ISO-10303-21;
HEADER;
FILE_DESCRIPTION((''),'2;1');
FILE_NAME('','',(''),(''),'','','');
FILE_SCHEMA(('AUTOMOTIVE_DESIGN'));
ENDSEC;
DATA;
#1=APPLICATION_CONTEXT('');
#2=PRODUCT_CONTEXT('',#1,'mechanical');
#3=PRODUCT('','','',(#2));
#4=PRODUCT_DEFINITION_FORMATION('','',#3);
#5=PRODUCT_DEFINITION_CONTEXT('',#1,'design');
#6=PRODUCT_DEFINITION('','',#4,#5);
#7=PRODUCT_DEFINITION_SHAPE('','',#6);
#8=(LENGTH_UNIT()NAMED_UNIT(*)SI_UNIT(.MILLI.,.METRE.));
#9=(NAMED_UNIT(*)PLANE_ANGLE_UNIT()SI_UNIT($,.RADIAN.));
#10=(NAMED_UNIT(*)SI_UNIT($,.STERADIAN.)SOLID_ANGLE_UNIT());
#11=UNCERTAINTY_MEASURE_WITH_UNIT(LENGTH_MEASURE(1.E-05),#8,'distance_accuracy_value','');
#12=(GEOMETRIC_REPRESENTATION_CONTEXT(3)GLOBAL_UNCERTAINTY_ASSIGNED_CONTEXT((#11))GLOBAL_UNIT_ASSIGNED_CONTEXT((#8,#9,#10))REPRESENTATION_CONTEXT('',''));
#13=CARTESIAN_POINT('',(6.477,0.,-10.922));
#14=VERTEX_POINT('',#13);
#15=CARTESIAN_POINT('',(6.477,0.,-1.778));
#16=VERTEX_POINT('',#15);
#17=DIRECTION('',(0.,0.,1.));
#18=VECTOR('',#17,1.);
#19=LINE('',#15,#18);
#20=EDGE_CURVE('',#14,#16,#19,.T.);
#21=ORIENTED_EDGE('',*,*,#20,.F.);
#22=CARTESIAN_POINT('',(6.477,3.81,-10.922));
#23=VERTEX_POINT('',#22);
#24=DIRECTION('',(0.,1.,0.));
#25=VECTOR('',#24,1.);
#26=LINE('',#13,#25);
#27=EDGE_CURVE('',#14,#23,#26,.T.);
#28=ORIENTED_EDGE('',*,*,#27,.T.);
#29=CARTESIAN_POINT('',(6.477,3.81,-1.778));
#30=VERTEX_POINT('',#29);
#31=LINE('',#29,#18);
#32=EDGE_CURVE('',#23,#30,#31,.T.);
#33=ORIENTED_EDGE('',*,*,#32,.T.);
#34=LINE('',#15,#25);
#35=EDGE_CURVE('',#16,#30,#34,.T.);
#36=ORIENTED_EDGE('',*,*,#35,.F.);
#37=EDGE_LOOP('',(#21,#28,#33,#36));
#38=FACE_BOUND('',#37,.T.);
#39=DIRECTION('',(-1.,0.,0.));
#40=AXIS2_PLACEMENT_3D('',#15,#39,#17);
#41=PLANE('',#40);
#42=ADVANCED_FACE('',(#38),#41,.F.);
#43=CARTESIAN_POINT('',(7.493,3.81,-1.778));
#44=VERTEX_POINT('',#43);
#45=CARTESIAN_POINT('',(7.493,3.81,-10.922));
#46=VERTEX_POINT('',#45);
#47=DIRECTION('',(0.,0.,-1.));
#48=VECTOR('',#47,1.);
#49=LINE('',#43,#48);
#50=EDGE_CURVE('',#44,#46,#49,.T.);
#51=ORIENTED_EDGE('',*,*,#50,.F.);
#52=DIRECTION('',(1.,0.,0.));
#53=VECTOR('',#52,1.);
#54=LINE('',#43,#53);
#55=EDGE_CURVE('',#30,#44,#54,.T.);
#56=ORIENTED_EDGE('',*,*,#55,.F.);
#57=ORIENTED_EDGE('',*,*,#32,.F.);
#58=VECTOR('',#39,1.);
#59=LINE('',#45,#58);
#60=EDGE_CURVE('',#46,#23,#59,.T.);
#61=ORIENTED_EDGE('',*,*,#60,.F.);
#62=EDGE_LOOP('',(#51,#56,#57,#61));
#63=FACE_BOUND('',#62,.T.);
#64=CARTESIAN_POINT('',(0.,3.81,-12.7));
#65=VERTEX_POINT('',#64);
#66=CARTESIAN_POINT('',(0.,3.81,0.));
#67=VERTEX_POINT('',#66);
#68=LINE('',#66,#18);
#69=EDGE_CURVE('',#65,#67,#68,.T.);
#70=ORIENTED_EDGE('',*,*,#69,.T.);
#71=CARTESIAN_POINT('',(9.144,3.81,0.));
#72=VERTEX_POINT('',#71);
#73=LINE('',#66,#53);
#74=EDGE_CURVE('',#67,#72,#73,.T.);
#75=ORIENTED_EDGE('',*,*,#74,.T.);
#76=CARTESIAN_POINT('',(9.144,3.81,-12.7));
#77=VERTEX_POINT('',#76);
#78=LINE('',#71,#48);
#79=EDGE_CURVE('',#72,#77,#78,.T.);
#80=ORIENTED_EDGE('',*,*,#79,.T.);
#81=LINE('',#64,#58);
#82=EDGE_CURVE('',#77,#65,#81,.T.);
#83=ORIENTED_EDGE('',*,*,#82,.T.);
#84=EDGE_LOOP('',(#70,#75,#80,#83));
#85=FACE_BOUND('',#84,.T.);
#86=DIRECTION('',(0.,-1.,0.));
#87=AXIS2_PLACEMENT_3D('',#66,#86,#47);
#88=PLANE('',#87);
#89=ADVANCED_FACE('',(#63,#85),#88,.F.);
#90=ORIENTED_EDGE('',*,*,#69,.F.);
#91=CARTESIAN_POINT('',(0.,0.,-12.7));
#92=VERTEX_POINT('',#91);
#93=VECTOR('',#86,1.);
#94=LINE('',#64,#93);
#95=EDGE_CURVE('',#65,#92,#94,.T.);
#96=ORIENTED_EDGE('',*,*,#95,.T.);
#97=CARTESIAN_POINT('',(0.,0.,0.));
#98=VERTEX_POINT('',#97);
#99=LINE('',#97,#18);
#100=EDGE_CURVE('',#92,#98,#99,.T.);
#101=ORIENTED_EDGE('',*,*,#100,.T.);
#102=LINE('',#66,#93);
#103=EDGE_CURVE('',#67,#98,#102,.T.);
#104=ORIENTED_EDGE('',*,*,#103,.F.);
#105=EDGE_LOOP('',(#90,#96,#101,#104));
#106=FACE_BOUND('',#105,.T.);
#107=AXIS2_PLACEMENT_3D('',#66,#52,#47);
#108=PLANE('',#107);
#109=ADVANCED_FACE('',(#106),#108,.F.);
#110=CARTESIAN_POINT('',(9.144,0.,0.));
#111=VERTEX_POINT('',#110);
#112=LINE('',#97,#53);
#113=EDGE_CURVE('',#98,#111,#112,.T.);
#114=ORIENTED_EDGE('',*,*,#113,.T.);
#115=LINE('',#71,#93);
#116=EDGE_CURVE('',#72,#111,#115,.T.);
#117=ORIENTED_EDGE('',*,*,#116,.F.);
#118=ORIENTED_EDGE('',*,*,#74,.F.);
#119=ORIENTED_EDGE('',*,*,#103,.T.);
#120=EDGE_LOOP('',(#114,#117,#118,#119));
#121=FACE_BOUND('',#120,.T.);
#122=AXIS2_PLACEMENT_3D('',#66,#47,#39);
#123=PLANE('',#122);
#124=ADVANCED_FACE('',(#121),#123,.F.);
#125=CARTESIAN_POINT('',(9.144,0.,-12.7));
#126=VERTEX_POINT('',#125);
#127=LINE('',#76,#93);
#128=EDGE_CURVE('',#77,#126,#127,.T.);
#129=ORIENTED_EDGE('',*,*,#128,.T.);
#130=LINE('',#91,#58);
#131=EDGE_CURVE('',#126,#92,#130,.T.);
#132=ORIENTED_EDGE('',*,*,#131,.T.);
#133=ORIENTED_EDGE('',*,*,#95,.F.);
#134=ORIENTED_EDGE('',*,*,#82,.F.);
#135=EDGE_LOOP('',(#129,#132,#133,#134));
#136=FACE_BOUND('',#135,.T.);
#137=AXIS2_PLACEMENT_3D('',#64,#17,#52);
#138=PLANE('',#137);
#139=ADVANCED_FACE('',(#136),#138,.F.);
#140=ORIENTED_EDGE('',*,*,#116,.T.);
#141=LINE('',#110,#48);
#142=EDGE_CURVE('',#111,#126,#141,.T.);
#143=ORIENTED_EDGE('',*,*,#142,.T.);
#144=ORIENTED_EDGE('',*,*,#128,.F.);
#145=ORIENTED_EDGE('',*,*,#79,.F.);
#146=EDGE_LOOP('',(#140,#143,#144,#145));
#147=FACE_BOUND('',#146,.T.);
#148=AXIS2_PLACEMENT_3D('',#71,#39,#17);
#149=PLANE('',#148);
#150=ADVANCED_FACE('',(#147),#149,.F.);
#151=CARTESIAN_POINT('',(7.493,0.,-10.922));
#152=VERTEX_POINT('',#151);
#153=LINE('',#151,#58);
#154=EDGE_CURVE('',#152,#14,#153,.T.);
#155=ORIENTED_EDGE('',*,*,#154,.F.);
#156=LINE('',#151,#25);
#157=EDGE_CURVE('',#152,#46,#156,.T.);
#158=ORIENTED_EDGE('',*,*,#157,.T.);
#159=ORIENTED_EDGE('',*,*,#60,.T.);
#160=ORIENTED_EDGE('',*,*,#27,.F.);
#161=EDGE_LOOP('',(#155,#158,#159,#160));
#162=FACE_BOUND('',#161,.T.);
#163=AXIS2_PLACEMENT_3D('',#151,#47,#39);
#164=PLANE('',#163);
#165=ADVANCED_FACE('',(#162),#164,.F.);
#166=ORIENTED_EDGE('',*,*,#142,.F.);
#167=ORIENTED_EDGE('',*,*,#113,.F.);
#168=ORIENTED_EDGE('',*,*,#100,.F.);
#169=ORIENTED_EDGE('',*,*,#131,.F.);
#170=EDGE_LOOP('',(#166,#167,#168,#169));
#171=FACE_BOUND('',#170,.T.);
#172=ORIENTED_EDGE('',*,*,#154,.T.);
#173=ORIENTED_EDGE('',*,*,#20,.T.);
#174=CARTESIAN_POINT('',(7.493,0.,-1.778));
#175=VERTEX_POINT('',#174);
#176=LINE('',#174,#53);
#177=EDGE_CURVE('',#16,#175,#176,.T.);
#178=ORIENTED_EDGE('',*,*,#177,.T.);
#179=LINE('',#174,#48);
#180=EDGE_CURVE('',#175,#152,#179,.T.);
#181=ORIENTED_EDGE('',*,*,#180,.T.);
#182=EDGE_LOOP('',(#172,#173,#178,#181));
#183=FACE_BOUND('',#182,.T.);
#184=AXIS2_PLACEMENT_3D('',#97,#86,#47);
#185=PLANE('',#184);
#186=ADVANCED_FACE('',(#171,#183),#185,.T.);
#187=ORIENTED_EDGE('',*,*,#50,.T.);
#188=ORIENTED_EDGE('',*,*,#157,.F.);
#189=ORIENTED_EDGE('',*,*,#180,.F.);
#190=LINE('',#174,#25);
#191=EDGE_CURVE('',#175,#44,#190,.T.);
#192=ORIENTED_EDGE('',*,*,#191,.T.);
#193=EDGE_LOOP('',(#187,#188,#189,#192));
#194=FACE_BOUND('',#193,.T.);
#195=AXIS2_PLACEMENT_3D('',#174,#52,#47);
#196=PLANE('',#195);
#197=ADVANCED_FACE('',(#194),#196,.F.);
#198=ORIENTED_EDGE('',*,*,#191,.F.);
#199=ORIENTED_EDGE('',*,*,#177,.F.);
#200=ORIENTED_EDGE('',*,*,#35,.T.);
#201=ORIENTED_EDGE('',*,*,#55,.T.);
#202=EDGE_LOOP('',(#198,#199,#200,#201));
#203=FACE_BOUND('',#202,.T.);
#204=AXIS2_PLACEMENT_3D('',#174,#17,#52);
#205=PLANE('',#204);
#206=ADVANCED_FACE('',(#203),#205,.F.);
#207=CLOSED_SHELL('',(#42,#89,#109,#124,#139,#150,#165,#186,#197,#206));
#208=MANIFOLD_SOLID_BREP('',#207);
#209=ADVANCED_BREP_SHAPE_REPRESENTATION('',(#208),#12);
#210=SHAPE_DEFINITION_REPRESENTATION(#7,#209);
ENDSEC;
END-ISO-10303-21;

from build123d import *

# Parameters (mm, degrees)
SKETCH2_W           = 9.144
SKETCH2_H           = 12.7
BOSS_EXTRUDE1_DEPTH = 3.81
SKETCH4_W           = 1.016
SKETCH4_H           = 9.144
CUT_EXTRUDE1_DEPTH  = 17.106484284


with BuildPart() as part:
    # Sketch2 → Boss-Extrude1 (new body)
    with BuildSketch(Plane(origin=(0, 0, 0), x_dir=(1, 0, 0), z_dir=(0, 1, 0))):
        with Locations((4.572, 6.35)):
            Rectangle(SKETCH2_W, SKETCH2_H)
    extrude(amount=BOSS_EXTRUDE1_DEPTH)

    # Sketch4 → Cut-Extrude1 (cut, through all)
    with BuildSketch(Plane(origin=(0, 3.81, 0), x_dir=(1, 0, 0), z_dir=(0, 1, 0))):
        with Locations((6.985, 6.35)):
            Rectangle(SKETCH4_W, SKETCH4_H)
    extrude(amount=-CUT_EXTRUDE1_DEPTH, mode=Mode.SUBTRACT)


solid = part.part
